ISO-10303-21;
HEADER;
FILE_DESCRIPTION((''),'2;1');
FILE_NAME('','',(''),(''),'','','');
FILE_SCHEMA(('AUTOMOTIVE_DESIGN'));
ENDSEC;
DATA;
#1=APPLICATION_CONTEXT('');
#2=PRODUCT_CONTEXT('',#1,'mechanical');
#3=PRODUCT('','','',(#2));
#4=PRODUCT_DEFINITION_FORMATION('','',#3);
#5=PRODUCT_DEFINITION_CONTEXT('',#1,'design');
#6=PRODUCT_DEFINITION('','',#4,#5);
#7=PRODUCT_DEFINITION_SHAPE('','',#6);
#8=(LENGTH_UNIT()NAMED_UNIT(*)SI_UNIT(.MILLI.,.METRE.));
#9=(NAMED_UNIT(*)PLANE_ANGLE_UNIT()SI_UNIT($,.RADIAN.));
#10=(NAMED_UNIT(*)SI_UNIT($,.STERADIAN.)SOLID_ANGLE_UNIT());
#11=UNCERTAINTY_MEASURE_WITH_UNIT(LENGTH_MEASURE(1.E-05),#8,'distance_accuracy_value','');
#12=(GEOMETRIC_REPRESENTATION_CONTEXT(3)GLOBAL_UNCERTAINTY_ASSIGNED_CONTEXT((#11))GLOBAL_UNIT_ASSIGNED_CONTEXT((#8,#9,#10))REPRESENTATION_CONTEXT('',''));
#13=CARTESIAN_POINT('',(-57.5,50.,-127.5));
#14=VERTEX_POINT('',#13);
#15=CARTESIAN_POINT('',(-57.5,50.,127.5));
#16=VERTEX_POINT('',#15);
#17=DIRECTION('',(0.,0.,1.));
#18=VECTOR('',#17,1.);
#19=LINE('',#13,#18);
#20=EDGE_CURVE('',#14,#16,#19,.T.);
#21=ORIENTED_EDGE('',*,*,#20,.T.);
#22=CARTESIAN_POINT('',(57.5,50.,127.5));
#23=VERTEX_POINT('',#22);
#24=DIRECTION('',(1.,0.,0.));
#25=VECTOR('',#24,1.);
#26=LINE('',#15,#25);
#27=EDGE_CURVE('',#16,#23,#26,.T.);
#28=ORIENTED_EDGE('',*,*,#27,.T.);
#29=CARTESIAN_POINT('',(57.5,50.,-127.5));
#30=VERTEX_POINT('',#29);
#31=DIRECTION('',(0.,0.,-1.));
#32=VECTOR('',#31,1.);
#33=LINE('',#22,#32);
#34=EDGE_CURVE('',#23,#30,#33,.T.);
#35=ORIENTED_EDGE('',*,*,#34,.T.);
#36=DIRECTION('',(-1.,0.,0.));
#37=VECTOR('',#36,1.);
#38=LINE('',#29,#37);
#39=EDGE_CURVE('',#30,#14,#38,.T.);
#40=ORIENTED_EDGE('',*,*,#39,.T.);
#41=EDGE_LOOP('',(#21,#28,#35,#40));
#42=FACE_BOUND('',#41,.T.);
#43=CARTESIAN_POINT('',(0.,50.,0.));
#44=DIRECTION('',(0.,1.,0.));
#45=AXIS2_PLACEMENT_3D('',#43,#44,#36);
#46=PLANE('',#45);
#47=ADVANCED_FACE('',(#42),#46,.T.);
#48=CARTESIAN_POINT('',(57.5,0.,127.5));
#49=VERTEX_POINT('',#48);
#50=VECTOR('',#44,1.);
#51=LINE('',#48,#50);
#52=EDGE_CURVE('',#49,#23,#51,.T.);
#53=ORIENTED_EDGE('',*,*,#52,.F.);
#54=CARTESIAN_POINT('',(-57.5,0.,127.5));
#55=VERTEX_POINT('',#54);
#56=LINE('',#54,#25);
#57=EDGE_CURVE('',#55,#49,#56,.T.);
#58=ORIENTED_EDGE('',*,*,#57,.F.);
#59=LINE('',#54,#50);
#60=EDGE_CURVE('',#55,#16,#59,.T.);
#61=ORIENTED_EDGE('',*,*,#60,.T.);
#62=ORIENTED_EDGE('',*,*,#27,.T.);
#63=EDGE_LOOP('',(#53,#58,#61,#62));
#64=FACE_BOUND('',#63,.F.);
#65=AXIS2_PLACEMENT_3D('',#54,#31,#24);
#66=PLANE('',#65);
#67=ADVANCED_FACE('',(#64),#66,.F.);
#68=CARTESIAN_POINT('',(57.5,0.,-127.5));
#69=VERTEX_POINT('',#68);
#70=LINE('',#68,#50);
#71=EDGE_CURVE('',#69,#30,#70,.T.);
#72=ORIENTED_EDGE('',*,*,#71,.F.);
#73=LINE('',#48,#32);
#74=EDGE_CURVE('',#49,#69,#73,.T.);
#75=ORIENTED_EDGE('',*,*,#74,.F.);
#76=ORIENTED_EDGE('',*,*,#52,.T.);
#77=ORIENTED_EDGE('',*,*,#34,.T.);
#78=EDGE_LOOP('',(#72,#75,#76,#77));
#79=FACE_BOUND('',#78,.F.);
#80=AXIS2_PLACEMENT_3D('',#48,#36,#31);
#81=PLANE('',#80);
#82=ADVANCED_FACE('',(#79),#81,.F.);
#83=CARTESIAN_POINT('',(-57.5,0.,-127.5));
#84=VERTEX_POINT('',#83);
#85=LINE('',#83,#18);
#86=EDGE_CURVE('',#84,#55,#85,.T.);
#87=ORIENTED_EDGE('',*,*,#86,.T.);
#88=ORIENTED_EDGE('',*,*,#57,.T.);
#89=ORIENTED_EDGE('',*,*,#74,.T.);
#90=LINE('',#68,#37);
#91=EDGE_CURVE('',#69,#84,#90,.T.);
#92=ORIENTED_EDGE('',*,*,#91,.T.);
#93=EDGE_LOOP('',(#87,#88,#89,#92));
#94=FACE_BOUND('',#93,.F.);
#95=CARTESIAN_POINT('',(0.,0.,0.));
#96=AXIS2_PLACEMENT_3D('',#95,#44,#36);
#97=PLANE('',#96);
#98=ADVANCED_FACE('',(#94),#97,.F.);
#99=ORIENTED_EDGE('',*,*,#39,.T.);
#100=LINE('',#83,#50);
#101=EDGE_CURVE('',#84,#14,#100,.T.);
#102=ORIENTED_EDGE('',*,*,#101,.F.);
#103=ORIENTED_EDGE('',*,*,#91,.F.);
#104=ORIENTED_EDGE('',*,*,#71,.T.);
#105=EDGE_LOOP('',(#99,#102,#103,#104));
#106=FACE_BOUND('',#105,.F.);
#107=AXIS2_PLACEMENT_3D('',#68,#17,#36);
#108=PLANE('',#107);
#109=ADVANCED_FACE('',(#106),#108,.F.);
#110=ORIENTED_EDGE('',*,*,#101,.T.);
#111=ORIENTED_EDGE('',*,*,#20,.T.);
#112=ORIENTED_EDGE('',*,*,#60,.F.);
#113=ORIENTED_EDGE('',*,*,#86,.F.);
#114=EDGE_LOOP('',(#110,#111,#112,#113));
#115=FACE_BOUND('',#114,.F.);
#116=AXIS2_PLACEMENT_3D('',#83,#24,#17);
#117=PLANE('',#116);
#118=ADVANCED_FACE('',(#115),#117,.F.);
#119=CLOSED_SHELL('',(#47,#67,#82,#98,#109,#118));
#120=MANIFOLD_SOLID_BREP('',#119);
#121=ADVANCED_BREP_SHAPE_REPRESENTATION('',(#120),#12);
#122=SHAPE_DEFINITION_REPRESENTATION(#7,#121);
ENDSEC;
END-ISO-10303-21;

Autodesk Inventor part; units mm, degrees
ref_plane "YZ Plane" through (0, 0, 0) normal (1, 0, 0) x (0, 1, 0)
ref_plane "XZ Plane" through (0, 0, 0) normal (0, 1, 0) x (-1, 0, 0)
ref_plane "XY Plane" through (0, 0, 0) normal (0, 0, 1) x (1, 0, 0)
sketch "Sketch1" plane through (0, 0, 0) normal (0, 1, 0) x (-1, 0, 0)
  line L0 (57.5, 127.5) -> (-57.5, 127.5)
  line L1 (-57.5, 127.5) -> (-57.5, -127.5)
  line L2 (-57.5, -127.5) -> (57.5, -127.5)
  line L3 (57.5, -127.5) -> (57.5, 127.5)
  point P0 (0, 0)
  point P1 (57.5, 0)
  point P2 (0, -127.5)
  dimension "d0" = 115
  dimension "d1" = 255
extrude "Extrusion1" add sketch "Sketch1" along normal blind 50
properties part number "STP_SP"
